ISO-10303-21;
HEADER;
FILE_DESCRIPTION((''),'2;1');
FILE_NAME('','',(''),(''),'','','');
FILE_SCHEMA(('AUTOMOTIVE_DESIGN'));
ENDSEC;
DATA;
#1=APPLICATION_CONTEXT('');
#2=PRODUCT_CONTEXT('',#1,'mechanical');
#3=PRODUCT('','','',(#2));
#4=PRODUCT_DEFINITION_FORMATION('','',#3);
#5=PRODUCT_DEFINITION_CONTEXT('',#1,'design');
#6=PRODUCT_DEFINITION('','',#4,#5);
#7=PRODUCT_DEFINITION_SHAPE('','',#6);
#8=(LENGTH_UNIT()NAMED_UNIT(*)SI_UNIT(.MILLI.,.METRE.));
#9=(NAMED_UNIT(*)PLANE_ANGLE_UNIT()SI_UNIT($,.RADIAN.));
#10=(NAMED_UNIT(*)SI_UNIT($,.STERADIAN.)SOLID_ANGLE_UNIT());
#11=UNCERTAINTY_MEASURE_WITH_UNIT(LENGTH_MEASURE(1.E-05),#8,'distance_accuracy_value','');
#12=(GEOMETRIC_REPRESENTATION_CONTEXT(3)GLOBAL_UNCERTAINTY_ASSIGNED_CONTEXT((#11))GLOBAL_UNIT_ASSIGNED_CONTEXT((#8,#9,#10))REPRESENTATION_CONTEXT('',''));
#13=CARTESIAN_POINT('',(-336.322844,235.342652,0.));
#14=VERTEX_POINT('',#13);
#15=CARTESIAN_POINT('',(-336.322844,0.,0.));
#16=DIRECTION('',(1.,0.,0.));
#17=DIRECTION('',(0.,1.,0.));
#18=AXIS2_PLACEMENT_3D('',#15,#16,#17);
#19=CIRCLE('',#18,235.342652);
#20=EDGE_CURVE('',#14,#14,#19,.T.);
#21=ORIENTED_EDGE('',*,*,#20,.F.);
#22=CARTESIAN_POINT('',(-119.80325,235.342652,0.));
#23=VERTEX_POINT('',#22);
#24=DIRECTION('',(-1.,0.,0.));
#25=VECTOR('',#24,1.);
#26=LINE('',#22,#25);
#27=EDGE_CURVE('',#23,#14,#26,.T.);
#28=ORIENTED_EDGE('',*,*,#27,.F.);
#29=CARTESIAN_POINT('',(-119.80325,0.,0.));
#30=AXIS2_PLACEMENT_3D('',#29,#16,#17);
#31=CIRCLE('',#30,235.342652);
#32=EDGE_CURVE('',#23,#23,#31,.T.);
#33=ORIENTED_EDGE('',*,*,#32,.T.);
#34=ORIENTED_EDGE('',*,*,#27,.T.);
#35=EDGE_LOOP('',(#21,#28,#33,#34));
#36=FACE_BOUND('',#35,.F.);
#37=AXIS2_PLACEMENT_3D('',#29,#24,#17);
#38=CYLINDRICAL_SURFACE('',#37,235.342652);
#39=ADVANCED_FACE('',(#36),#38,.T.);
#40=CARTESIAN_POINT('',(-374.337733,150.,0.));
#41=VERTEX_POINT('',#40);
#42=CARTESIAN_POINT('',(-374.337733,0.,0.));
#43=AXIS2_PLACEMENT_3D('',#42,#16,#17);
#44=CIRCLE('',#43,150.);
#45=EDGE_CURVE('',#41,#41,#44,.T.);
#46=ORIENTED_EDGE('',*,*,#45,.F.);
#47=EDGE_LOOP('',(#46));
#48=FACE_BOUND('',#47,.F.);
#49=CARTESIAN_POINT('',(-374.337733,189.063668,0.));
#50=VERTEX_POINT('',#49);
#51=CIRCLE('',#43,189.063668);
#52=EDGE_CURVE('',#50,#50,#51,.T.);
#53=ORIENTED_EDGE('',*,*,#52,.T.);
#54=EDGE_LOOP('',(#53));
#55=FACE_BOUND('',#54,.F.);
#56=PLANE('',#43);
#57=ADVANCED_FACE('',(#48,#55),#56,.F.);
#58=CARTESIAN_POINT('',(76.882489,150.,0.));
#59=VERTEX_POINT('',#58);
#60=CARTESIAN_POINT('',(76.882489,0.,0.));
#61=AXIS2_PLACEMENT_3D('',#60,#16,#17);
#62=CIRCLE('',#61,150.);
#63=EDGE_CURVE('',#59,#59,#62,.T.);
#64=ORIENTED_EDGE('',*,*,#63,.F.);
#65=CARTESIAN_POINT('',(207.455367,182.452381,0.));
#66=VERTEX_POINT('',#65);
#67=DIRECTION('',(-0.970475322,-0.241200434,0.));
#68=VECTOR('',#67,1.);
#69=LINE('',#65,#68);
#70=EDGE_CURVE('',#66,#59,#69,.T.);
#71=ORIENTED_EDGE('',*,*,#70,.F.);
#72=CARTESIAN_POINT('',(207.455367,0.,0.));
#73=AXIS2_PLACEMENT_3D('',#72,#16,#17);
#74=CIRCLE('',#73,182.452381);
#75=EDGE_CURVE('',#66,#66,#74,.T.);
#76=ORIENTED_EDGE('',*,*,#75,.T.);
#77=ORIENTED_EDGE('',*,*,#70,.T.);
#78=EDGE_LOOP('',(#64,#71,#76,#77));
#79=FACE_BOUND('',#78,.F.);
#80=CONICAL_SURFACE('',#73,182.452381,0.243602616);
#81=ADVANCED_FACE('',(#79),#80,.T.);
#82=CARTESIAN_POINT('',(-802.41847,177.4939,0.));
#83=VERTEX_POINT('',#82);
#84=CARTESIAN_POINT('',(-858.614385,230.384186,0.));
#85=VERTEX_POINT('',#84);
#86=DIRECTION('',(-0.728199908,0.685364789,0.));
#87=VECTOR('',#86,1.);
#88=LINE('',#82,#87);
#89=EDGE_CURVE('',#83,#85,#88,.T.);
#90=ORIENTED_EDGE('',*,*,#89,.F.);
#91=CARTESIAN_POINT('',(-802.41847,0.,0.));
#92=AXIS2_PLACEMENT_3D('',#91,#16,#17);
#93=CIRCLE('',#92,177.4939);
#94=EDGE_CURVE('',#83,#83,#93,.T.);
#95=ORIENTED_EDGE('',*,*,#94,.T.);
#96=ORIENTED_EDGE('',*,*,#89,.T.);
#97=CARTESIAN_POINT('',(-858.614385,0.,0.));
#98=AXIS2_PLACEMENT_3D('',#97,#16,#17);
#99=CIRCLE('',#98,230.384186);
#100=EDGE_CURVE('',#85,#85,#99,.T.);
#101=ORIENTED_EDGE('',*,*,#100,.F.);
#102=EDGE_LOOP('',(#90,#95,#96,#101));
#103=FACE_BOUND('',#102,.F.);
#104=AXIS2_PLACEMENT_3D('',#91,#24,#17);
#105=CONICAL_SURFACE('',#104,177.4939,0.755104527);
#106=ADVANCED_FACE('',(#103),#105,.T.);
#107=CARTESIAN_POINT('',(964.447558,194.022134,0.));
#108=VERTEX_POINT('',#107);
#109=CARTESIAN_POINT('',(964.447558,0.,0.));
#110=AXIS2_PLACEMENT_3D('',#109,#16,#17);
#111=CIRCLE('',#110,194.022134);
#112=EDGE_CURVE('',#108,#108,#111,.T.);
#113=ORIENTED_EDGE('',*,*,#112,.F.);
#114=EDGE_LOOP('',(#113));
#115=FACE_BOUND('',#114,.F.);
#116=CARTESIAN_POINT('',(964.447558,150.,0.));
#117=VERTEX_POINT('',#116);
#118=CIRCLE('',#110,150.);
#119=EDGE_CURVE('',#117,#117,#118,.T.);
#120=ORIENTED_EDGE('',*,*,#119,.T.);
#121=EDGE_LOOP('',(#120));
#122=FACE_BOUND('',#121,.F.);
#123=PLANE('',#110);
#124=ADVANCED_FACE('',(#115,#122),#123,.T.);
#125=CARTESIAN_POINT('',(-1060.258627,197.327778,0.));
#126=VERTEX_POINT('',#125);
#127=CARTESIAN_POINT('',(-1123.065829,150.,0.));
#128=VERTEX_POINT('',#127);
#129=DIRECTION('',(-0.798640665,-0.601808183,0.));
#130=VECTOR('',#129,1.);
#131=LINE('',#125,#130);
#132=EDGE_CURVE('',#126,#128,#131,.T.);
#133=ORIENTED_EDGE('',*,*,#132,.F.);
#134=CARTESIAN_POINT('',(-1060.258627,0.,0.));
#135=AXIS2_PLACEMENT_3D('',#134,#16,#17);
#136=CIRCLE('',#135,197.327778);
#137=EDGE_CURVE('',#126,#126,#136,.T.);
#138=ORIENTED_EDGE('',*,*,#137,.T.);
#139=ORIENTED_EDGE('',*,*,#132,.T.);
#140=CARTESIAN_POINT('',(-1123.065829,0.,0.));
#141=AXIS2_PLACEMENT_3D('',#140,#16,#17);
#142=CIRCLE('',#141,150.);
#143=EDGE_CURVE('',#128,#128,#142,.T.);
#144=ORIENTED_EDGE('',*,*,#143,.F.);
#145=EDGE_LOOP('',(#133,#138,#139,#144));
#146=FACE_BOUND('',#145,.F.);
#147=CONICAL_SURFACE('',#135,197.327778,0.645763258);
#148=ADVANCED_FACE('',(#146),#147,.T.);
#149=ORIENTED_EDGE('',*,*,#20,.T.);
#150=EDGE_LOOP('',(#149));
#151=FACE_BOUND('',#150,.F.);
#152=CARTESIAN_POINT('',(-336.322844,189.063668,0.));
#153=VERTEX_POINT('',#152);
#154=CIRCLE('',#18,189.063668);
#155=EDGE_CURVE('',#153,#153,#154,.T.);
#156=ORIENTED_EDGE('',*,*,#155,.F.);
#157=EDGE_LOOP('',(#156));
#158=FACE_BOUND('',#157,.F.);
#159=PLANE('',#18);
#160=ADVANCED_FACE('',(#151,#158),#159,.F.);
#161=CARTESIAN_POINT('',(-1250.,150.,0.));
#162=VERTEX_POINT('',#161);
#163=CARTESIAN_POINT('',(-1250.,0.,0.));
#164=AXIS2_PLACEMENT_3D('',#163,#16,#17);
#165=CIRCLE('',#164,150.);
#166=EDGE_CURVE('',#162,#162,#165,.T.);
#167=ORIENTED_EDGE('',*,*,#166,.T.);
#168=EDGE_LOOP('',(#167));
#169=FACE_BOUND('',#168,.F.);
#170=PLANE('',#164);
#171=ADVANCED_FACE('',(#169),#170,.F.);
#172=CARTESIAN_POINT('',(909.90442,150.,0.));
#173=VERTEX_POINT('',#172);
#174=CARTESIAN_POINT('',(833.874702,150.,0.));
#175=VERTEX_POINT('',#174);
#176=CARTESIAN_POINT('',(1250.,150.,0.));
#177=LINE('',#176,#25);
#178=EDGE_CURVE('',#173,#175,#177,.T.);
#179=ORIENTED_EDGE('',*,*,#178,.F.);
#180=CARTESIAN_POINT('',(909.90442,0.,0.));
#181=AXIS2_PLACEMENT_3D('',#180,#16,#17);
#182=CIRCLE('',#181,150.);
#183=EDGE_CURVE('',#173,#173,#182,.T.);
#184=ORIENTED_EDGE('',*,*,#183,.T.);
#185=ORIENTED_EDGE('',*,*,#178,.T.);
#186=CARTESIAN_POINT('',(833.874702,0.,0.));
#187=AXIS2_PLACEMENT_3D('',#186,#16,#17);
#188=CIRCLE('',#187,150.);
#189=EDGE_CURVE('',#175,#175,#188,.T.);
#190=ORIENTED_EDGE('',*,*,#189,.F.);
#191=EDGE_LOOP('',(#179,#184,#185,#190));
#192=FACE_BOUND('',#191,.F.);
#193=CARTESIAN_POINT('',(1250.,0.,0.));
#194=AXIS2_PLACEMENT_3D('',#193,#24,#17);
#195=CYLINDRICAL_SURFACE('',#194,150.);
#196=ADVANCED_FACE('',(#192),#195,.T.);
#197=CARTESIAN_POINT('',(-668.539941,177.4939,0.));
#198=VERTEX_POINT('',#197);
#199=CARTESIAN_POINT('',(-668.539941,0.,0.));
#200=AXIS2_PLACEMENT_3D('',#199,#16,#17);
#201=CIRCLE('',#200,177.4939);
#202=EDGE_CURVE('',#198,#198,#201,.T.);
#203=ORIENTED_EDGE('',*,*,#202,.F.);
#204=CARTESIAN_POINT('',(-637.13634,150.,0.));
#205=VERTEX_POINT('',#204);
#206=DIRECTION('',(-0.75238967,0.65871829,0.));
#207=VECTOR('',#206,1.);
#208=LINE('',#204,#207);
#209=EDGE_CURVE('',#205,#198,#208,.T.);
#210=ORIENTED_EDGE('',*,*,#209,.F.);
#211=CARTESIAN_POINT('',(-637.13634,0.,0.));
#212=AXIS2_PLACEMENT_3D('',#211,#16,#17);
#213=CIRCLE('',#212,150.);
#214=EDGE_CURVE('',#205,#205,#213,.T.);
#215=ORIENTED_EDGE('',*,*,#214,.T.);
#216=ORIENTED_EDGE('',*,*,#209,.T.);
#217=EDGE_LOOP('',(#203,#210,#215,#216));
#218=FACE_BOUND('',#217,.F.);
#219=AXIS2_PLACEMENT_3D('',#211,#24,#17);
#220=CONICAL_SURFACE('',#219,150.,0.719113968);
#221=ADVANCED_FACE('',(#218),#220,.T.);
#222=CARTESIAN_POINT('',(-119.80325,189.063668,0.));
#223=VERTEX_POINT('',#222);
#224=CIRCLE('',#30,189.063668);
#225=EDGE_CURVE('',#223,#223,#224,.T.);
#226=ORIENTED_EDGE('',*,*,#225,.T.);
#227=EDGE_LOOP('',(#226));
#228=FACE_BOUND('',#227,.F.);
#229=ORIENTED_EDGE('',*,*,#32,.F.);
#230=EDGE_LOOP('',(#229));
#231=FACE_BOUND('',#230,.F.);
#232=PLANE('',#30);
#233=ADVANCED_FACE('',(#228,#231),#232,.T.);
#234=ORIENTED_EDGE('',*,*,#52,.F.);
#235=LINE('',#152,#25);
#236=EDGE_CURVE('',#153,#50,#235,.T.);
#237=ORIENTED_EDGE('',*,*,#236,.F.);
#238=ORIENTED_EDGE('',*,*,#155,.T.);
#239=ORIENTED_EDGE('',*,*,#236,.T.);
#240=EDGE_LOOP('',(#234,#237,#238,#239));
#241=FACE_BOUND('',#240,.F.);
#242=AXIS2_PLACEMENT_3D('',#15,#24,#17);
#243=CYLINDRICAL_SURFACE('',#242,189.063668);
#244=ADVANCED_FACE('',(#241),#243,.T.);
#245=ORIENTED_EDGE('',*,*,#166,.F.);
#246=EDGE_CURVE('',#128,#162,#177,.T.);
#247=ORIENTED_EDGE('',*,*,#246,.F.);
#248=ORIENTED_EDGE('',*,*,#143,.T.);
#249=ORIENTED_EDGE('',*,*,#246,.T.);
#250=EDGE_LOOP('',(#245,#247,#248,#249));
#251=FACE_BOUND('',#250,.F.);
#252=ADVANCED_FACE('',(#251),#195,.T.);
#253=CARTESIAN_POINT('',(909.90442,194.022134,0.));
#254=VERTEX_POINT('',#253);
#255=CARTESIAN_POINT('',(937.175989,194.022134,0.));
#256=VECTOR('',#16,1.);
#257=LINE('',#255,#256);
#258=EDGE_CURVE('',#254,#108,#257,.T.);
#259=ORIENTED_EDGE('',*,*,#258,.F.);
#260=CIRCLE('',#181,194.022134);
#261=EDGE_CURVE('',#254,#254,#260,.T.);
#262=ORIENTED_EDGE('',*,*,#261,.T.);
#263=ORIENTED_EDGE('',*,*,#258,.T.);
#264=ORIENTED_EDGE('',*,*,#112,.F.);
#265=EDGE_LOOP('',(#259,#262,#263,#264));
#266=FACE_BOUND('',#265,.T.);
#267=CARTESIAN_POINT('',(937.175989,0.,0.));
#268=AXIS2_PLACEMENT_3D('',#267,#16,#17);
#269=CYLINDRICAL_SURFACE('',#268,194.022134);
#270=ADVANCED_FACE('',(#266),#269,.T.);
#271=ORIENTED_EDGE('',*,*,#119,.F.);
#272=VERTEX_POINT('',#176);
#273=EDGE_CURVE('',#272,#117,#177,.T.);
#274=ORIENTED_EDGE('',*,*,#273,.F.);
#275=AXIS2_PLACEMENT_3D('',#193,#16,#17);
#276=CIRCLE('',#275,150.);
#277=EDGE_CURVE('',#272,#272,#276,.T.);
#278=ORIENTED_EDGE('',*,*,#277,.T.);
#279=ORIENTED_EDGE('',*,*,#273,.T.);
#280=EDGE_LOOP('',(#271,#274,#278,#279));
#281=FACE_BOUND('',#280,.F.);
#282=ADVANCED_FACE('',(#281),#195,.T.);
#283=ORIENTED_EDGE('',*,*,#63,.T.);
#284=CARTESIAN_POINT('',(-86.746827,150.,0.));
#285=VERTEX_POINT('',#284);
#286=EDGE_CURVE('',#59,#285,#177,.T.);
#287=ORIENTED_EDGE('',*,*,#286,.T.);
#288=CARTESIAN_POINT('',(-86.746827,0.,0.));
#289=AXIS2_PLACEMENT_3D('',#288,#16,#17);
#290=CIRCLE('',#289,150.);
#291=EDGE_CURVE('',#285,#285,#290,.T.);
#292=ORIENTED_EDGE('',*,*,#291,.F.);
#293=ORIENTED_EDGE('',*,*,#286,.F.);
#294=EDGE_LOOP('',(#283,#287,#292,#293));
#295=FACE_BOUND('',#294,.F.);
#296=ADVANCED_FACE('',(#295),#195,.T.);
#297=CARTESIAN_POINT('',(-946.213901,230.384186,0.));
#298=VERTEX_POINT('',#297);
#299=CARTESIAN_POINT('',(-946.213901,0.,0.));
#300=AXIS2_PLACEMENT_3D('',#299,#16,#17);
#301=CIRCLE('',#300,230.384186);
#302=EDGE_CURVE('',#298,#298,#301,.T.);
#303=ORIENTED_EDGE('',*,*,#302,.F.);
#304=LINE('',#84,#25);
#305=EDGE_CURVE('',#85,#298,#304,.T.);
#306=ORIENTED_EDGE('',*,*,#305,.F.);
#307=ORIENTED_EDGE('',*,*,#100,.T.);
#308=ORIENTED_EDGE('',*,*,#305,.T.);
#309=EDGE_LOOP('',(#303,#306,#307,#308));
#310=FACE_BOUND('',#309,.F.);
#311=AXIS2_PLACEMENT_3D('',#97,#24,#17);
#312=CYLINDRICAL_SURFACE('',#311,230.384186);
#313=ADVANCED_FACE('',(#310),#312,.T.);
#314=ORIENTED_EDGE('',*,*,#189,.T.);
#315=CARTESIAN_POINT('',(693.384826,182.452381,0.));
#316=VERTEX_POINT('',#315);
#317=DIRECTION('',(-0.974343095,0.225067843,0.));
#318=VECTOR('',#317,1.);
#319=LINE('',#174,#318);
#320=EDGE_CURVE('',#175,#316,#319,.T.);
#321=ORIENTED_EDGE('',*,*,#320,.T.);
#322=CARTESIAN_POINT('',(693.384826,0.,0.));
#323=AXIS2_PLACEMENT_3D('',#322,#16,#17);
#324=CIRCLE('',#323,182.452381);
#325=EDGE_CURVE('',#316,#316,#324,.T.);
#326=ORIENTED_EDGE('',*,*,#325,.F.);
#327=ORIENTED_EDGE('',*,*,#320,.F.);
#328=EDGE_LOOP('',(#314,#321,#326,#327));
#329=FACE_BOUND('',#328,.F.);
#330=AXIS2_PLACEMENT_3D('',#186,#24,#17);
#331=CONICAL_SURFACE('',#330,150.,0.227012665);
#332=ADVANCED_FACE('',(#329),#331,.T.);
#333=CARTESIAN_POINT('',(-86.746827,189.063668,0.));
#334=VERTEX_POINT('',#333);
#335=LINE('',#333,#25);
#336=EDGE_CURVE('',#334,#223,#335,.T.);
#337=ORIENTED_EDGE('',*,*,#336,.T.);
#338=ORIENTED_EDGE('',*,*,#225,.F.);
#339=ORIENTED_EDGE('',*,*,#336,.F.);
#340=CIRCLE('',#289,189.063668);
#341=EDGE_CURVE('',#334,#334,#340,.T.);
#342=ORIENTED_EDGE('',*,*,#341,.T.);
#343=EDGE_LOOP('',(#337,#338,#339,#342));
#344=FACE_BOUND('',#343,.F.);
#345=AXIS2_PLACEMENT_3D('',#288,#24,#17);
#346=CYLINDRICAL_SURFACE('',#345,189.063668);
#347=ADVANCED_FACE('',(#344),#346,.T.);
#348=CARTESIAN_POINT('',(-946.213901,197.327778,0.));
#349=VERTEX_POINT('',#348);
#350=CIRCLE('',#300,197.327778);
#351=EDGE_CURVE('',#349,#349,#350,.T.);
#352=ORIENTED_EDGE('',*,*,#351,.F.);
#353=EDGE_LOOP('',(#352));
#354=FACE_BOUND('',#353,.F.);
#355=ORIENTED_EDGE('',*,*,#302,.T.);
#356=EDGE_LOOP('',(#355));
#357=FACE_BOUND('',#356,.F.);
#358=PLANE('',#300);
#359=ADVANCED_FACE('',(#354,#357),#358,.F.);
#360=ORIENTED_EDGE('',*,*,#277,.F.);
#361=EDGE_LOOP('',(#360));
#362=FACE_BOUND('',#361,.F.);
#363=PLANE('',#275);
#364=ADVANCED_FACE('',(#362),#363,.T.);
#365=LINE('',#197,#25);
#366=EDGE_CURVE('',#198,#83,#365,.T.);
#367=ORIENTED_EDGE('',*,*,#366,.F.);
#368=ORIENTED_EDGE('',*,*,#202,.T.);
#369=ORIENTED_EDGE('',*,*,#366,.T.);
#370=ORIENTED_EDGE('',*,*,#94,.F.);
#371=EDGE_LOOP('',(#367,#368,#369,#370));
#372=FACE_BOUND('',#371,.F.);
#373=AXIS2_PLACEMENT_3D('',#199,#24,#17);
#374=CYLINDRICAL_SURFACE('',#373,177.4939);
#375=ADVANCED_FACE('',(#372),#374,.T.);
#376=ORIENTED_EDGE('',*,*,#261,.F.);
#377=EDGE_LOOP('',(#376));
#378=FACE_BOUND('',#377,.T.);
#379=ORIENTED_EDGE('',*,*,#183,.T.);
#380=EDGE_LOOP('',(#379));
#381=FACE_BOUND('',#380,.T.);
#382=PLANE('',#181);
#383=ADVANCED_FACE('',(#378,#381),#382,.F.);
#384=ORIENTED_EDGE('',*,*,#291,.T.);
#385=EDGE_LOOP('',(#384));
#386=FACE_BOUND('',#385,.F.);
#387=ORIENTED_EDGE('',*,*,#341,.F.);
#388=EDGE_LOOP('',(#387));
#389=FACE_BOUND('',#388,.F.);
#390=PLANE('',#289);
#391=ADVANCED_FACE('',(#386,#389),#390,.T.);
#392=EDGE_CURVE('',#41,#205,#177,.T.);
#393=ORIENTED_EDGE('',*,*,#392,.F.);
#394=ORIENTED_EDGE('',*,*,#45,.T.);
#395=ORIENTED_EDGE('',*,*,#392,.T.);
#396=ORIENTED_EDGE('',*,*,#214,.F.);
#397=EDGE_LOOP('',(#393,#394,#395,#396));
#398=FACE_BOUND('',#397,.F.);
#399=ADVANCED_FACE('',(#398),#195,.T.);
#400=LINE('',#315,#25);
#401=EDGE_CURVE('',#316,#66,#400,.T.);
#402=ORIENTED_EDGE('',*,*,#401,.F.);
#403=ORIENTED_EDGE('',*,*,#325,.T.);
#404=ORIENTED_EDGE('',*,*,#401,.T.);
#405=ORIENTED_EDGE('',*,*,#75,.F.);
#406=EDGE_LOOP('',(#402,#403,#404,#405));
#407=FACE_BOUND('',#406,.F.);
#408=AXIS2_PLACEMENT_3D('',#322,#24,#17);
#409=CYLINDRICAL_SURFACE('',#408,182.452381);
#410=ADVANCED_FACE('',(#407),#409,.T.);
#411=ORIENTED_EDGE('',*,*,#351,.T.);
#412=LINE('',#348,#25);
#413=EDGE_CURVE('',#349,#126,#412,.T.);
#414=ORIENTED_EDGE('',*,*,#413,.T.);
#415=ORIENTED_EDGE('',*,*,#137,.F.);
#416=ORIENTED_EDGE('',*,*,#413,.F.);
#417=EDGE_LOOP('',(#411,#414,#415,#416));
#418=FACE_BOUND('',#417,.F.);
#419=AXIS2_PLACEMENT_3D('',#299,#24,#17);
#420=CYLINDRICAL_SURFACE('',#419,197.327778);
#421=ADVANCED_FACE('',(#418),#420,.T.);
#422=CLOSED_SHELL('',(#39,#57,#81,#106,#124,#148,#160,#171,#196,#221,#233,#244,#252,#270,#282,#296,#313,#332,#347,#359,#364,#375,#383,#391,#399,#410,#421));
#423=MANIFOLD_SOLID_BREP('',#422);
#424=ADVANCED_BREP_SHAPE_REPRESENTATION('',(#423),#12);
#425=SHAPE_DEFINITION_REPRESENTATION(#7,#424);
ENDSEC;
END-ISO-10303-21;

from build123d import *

# Parameters (mm, degrees)
F0_W = 54.543138
F0_H = 44.022134


with BuildPart() as f1:
    # F0 (on Top) → F1 (revolve)
    with BuildSketch(Plane.XY):
        Polygon((-1250, 150), (-1250, 0), (1250, 0), (1250, 150), (964.447558, 150), (909.90442, 150), (833.874702, 150), (76.882489, 150), (-86.746827, 150), (-374.337733, 150), (-637.13634, 150), (-1123.065829, 150), align=None)
        Polygon((-1060.258627, 197.327778), (-1123.065829, 150), (-637.13634, 150), (-668.539941, 177.4939), (-802.41847, 177.4939), (-858.614385, 230.384186), (-946.213901, 230.384186), (-946.213901, 197.327778), align=None)
        with Locations((937.175989, 172.011067)):
            Rectangle(F0_W, F0_H)
        Polygon((-374.337733, 189.063668), (-374.337733, 150), (-86.746827, 150), (-86.746827, 189.063668), (-119.80325, 189.063668), (-119.80325, 235.342652), (-336.322844, 235.342652), (-336.322844, 189.063668), align=None)
        Polygon((76.882489, 150), (833.874702, 150), (693.384826, 182.452381), (207.455367, 182.452381), align=None)
    revolve(axis=Axis((0, 0, 0), (1, 0, 0)))


solid = f1.part
